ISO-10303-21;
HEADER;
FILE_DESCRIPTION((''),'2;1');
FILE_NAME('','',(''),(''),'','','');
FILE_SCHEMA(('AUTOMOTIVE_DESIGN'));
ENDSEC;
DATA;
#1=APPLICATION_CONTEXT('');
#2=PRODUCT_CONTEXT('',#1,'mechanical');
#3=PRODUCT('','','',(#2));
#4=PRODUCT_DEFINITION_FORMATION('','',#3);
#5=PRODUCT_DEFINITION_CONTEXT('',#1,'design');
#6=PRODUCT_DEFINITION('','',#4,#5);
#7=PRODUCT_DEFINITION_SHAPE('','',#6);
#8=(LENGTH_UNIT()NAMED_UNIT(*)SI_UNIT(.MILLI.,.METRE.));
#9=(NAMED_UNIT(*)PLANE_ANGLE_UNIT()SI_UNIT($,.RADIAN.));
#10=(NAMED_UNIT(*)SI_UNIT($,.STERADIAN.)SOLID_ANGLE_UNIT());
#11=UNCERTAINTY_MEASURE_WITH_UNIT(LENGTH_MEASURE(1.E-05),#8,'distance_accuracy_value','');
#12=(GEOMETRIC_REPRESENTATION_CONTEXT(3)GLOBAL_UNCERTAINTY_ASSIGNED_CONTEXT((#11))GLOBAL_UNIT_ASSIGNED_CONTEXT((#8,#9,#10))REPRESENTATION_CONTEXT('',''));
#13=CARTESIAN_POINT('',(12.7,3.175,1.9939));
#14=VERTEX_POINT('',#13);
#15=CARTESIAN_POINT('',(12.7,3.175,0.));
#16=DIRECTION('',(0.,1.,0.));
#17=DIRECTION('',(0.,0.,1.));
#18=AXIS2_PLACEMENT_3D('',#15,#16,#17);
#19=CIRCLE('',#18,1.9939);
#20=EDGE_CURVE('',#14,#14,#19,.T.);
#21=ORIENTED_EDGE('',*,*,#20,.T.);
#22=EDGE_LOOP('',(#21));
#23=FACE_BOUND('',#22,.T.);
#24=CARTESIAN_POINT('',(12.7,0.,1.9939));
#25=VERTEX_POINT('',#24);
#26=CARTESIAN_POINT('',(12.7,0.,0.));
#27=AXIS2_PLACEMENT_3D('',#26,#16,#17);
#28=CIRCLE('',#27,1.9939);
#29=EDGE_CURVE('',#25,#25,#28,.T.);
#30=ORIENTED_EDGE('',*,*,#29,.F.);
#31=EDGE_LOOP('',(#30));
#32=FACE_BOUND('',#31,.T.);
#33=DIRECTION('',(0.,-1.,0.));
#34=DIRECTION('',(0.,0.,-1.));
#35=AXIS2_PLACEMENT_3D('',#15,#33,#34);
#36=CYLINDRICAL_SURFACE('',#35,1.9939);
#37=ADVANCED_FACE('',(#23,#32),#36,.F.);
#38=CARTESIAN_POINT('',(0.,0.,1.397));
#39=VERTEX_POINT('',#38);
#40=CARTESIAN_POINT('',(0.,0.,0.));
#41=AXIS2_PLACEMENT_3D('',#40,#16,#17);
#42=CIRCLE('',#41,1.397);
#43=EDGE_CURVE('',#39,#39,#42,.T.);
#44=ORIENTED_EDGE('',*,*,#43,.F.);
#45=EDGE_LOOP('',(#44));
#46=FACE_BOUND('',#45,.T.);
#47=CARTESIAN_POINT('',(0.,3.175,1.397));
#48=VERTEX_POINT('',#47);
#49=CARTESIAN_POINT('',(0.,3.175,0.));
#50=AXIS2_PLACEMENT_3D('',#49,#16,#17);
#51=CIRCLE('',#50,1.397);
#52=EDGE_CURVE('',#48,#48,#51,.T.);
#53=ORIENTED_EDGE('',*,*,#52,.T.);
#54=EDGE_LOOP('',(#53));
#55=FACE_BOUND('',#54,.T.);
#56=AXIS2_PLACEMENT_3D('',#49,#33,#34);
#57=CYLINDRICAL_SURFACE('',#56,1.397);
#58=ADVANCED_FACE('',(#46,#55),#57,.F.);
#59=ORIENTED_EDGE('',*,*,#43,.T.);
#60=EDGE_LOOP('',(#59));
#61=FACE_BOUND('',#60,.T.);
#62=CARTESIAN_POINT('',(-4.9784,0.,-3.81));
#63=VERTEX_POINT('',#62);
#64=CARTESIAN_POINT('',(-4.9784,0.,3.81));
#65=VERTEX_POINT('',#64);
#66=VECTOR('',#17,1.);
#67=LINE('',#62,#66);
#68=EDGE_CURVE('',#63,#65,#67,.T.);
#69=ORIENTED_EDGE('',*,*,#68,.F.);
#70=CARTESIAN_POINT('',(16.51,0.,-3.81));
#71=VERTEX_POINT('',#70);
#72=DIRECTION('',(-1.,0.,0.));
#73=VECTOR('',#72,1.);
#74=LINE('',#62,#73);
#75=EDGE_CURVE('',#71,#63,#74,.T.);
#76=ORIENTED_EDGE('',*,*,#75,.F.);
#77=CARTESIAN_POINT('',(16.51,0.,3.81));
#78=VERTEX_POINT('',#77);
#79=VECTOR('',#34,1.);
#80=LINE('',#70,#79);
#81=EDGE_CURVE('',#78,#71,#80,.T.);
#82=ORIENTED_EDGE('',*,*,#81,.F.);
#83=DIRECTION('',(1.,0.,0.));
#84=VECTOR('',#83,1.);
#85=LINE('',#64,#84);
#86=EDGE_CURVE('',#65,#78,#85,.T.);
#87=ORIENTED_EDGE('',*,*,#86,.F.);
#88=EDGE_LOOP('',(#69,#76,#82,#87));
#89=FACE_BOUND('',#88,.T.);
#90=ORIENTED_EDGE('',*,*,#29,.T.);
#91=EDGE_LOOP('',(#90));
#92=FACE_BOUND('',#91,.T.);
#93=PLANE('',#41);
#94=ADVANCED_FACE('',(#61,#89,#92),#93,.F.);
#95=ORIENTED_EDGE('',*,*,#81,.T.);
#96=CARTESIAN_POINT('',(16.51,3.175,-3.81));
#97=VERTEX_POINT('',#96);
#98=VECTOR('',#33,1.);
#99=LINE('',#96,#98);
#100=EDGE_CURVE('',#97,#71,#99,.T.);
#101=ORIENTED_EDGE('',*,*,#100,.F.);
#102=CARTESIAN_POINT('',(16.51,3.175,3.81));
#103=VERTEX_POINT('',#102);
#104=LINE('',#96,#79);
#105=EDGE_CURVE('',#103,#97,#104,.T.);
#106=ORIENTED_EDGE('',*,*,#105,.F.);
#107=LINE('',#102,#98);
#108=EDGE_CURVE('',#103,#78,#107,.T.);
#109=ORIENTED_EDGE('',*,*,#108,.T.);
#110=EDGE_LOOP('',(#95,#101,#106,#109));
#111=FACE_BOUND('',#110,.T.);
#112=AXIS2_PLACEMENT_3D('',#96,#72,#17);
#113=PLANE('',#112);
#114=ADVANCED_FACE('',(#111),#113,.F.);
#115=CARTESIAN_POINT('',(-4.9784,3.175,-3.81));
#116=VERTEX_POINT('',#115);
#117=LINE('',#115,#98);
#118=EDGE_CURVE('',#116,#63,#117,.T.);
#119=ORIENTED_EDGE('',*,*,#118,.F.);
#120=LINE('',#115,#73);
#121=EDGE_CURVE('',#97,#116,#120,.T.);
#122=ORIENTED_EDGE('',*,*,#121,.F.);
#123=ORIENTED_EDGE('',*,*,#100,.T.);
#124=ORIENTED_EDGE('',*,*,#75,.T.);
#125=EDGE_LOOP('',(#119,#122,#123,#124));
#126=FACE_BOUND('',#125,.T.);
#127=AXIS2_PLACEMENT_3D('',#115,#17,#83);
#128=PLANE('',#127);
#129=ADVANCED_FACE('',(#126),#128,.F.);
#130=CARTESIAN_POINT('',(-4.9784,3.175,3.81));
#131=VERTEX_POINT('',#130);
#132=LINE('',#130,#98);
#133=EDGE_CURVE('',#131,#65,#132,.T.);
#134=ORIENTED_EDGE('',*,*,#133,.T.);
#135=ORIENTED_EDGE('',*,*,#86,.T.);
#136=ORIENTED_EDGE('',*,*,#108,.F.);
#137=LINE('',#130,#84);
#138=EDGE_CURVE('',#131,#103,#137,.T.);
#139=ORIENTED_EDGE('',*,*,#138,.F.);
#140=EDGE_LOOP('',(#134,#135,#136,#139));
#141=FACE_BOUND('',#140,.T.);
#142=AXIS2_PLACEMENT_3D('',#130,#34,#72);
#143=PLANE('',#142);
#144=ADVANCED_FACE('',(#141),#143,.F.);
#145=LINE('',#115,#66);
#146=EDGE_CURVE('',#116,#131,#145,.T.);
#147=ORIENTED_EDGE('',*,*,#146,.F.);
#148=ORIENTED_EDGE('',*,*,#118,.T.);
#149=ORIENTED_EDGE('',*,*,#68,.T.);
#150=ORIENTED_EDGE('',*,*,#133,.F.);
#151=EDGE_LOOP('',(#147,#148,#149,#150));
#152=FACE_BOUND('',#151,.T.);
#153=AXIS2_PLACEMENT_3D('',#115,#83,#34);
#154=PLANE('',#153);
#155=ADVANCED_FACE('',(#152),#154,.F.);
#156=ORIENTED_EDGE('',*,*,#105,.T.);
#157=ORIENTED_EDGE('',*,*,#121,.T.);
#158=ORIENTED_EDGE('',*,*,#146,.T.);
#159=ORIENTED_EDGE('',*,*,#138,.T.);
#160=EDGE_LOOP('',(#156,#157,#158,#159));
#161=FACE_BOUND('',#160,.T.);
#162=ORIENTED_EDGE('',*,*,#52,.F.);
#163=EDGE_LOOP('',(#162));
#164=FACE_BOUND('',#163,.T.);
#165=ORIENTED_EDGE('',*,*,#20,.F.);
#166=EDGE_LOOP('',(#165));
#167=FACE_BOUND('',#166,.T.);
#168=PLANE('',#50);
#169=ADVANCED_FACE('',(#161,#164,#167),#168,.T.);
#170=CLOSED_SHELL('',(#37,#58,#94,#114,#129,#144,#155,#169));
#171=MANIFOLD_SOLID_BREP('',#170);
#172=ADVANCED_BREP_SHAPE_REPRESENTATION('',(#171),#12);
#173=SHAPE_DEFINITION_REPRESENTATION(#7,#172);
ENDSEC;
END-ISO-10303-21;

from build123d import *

# Parameters (mm, degrees)
SKETCH1_W           = 21.4884
SKETCH1_H           = 7.62
SKETCH1_R           = 1.397
SKETCH1_R_2         = 1.9939
BOSS_EXTRUDE3_DEPTH = 3.175


with BuildPart() as part:
    # Sketch1 → Boss-Extrude3 (new body)
    with BuildSketch(Plane(origin=(0, 0, 0), x_dir=(1, 0, 0), z_dir=(0, 1, 0))):
        with Locations((5.7658, 0)):
            Rectangle(SKETCH1_W, SKETCH1_H)
        Circle(SKETCH1_R, mode=Mode.SUBTRACT)
        with Locations((12.7, 0)):
            Circle(SKETCH1_R_2, mode=Mode.SUBTRACT)
    extrude(amount=BOSS_EXTRUDE3_DEPTH)


solid = part.part
